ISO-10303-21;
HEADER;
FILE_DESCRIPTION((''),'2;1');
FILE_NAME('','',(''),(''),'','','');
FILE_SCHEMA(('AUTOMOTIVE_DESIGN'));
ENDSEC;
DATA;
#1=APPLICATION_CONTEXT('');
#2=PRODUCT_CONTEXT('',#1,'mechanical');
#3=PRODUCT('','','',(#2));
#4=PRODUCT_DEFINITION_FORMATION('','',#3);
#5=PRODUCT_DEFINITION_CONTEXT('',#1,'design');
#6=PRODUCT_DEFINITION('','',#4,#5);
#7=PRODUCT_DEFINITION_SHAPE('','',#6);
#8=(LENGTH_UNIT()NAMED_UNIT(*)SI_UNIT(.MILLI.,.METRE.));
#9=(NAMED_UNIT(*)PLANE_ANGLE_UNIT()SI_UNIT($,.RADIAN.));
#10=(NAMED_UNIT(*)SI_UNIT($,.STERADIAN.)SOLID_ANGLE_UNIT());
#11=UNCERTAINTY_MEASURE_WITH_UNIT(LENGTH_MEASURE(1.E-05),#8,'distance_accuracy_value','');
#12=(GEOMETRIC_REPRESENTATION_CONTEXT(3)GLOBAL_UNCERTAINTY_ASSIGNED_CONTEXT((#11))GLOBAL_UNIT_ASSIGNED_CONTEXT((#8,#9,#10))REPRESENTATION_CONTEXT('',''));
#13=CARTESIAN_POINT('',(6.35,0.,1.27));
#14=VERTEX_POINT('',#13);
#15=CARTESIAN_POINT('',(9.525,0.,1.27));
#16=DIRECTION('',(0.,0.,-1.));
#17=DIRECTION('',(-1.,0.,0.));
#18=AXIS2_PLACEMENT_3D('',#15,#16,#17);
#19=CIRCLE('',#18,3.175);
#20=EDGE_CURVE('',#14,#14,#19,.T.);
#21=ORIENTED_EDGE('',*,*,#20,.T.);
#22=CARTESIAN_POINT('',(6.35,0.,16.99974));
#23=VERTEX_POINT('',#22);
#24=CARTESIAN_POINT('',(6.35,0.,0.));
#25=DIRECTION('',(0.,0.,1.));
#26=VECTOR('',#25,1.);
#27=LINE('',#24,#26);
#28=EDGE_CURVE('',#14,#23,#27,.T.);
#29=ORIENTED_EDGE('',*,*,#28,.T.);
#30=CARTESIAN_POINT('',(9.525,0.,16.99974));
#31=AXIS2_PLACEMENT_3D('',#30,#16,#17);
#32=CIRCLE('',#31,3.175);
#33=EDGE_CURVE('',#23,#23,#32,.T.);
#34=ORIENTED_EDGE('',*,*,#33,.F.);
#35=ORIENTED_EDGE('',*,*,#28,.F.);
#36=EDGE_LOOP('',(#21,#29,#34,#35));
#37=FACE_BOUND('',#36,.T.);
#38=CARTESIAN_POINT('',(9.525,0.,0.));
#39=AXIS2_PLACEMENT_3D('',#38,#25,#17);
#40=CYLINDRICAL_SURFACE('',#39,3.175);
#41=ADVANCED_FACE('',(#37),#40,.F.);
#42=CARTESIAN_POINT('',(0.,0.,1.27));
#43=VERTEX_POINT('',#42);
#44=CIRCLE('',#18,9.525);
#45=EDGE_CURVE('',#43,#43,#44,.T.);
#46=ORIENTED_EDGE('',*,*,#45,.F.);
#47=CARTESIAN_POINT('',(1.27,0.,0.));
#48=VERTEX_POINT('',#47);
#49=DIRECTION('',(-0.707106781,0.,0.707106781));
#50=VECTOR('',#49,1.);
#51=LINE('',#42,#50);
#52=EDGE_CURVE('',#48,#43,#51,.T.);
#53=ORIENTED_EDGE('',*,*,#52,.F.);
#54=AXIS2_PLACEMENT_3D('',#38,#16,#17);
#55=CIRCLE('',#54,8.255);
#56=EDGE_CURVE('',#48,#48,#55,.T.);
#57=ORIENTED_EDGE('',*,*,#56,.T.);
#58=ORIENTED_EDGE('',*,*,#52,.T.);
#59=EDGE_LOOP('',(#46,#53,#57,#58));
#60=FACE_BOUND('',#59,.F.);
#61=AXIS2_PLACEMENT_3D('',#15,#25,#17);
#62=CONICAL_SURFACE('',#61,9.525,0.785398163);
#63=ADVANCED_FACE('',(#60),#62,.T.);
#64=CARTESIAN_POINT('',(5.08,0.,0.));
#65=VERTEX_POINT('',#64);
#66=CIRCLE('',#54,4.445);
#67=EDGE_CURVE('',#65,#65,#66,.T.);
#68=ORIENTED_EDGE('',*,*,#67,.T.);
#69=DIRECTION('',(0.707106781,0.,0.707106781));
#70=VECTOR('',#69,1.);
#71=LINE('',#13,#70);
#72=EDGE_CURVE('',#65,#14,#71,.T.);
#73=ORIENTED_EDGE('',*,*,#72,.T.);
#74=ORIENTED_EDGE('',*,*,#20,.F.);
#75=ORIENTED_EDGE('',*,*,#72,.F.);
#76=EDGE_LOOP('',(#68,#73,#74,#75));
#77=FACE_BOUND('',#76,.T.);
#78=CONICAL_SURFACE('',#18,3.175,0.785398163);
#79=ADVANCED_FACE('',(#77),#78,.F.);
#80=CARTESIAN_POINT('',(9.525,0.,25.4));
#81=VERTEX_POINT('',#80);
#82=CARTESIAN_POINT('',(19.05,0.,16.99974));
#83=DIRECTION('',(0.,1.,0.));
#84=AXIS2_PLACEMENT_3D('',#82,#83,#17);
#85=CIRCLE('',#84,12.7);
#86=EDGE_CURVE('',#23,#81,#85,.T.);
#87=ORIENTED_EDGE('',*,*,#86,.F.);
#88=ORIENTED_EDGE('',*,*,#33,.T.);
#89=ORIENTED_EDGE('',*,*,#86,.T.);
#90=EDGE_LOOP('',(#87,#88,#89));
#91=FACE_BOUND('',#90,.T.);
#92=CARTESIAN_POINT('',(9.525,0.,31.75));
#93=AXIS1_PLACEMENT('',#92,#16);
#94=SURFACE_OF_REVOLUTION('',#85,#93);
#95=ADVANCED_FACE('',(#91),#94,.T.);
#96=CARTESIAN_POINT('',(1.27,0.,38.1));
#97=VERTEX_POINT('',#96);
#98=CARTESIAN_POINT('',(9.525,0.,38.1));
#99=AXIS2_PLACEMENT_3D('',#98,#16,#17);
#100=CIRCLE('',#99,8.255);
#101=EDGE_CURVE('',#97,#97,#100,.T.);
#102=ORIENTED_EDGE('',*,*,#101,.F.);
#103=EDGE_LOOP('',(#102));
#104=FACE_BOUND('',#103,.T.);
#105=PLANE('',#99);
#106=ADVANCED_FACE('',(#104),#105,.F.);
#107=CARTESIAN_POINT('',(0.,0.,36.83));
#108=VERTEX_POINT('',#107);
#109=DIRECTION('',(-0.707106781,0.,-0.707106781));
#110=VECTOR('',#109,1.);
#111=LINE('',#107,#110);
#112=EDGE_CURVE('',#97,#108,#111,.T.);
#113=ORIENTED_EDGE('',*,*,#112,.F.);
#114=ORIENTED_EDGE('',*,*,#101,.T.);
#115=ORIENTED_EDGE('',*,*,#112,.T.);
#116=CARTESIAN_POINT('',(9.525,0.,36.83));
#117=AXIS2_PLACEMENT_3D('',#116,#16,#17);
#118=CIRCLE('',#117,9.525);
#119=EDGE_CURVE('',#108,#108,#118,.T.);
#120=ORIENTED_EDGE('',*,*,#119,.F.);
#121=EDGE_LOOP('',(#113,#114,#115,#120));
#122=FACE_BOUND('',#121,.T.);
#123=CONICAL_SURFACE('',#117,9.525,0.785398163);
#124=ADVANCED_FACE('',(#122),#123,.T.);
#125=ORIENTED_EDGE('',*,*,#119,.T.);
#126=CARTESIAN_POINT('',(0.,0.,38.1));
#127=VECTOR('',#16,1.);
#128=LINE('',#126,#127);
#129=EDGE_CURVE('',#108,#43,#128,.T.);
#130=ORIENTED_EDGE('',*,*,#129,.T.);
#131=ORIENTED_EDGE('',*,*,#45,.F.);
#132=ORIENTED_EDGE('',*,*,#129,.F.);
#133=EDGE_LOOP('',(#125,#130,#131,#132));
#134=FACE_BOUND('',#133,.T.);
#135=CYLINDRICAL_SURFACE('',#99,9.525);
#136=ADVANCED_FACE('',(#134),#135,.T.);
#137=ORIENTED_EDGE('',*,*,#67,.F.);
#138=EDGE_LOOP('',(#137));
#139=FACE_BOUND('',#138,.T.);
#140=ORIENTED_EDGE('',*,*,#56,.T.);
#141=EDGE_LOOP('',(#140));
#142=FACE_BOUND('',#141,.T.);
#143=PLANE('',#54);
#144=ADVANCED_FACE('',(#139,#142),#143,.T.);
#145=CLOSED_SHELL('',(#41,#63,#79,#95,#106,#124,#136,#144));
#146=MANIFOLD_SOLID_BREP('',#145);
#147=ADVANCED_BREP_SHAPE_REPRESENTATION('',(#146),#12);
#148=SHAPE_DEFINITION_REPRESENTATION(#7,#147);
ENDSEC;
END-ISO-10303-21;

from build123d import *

# Parameters (mm, degrees)
F2_SIZE = 1.27


with BuildPart() as f1:
    # F0 (on Front) → F1 (revolve)
    with BuildSketch(Plane.XZ):
        with BuildLine():
            Line((0, 36.83), (0, 0))
            Line((0, 0), (6.35, 0))
            Line((6.35, 0), (6.35, 16.9997395874))
            ThreePointArc((6.35, 16.9997395874), (7.170237797, 21.4898676479), (9.525, 25.4))
            Line((9.525, 25.4), (9.525, 38.1))
            ThreePointArc((9.525, 38.1), (4.7203531607, 37.7811012944), (0, 36.83))
        make_face()
        with BuildLine():
            Line((0, 38.1), (0, 36.83))
            ThreePointArc((0, 36.83), (4.7203531607, 37.7811012944), (9.525, 38.1))
            Line((9.525, 38.1), (0, 38.1))
        make_face()
    revolve(axis=Axis((9.525, 0, 31.75), (0, 0, -1)))

    # F2
    f2_edges = [f1.edges().sort_by_distance(p)[0] for p in [
        (19.05, 0, 38.1),
        (19.05, 0, 0),
        (0, 0, 19.05),
        (12.7, 0, 0),
    ]]
    chamfer(f2_edges, length=F2_SIZE)


solid = f1.part
